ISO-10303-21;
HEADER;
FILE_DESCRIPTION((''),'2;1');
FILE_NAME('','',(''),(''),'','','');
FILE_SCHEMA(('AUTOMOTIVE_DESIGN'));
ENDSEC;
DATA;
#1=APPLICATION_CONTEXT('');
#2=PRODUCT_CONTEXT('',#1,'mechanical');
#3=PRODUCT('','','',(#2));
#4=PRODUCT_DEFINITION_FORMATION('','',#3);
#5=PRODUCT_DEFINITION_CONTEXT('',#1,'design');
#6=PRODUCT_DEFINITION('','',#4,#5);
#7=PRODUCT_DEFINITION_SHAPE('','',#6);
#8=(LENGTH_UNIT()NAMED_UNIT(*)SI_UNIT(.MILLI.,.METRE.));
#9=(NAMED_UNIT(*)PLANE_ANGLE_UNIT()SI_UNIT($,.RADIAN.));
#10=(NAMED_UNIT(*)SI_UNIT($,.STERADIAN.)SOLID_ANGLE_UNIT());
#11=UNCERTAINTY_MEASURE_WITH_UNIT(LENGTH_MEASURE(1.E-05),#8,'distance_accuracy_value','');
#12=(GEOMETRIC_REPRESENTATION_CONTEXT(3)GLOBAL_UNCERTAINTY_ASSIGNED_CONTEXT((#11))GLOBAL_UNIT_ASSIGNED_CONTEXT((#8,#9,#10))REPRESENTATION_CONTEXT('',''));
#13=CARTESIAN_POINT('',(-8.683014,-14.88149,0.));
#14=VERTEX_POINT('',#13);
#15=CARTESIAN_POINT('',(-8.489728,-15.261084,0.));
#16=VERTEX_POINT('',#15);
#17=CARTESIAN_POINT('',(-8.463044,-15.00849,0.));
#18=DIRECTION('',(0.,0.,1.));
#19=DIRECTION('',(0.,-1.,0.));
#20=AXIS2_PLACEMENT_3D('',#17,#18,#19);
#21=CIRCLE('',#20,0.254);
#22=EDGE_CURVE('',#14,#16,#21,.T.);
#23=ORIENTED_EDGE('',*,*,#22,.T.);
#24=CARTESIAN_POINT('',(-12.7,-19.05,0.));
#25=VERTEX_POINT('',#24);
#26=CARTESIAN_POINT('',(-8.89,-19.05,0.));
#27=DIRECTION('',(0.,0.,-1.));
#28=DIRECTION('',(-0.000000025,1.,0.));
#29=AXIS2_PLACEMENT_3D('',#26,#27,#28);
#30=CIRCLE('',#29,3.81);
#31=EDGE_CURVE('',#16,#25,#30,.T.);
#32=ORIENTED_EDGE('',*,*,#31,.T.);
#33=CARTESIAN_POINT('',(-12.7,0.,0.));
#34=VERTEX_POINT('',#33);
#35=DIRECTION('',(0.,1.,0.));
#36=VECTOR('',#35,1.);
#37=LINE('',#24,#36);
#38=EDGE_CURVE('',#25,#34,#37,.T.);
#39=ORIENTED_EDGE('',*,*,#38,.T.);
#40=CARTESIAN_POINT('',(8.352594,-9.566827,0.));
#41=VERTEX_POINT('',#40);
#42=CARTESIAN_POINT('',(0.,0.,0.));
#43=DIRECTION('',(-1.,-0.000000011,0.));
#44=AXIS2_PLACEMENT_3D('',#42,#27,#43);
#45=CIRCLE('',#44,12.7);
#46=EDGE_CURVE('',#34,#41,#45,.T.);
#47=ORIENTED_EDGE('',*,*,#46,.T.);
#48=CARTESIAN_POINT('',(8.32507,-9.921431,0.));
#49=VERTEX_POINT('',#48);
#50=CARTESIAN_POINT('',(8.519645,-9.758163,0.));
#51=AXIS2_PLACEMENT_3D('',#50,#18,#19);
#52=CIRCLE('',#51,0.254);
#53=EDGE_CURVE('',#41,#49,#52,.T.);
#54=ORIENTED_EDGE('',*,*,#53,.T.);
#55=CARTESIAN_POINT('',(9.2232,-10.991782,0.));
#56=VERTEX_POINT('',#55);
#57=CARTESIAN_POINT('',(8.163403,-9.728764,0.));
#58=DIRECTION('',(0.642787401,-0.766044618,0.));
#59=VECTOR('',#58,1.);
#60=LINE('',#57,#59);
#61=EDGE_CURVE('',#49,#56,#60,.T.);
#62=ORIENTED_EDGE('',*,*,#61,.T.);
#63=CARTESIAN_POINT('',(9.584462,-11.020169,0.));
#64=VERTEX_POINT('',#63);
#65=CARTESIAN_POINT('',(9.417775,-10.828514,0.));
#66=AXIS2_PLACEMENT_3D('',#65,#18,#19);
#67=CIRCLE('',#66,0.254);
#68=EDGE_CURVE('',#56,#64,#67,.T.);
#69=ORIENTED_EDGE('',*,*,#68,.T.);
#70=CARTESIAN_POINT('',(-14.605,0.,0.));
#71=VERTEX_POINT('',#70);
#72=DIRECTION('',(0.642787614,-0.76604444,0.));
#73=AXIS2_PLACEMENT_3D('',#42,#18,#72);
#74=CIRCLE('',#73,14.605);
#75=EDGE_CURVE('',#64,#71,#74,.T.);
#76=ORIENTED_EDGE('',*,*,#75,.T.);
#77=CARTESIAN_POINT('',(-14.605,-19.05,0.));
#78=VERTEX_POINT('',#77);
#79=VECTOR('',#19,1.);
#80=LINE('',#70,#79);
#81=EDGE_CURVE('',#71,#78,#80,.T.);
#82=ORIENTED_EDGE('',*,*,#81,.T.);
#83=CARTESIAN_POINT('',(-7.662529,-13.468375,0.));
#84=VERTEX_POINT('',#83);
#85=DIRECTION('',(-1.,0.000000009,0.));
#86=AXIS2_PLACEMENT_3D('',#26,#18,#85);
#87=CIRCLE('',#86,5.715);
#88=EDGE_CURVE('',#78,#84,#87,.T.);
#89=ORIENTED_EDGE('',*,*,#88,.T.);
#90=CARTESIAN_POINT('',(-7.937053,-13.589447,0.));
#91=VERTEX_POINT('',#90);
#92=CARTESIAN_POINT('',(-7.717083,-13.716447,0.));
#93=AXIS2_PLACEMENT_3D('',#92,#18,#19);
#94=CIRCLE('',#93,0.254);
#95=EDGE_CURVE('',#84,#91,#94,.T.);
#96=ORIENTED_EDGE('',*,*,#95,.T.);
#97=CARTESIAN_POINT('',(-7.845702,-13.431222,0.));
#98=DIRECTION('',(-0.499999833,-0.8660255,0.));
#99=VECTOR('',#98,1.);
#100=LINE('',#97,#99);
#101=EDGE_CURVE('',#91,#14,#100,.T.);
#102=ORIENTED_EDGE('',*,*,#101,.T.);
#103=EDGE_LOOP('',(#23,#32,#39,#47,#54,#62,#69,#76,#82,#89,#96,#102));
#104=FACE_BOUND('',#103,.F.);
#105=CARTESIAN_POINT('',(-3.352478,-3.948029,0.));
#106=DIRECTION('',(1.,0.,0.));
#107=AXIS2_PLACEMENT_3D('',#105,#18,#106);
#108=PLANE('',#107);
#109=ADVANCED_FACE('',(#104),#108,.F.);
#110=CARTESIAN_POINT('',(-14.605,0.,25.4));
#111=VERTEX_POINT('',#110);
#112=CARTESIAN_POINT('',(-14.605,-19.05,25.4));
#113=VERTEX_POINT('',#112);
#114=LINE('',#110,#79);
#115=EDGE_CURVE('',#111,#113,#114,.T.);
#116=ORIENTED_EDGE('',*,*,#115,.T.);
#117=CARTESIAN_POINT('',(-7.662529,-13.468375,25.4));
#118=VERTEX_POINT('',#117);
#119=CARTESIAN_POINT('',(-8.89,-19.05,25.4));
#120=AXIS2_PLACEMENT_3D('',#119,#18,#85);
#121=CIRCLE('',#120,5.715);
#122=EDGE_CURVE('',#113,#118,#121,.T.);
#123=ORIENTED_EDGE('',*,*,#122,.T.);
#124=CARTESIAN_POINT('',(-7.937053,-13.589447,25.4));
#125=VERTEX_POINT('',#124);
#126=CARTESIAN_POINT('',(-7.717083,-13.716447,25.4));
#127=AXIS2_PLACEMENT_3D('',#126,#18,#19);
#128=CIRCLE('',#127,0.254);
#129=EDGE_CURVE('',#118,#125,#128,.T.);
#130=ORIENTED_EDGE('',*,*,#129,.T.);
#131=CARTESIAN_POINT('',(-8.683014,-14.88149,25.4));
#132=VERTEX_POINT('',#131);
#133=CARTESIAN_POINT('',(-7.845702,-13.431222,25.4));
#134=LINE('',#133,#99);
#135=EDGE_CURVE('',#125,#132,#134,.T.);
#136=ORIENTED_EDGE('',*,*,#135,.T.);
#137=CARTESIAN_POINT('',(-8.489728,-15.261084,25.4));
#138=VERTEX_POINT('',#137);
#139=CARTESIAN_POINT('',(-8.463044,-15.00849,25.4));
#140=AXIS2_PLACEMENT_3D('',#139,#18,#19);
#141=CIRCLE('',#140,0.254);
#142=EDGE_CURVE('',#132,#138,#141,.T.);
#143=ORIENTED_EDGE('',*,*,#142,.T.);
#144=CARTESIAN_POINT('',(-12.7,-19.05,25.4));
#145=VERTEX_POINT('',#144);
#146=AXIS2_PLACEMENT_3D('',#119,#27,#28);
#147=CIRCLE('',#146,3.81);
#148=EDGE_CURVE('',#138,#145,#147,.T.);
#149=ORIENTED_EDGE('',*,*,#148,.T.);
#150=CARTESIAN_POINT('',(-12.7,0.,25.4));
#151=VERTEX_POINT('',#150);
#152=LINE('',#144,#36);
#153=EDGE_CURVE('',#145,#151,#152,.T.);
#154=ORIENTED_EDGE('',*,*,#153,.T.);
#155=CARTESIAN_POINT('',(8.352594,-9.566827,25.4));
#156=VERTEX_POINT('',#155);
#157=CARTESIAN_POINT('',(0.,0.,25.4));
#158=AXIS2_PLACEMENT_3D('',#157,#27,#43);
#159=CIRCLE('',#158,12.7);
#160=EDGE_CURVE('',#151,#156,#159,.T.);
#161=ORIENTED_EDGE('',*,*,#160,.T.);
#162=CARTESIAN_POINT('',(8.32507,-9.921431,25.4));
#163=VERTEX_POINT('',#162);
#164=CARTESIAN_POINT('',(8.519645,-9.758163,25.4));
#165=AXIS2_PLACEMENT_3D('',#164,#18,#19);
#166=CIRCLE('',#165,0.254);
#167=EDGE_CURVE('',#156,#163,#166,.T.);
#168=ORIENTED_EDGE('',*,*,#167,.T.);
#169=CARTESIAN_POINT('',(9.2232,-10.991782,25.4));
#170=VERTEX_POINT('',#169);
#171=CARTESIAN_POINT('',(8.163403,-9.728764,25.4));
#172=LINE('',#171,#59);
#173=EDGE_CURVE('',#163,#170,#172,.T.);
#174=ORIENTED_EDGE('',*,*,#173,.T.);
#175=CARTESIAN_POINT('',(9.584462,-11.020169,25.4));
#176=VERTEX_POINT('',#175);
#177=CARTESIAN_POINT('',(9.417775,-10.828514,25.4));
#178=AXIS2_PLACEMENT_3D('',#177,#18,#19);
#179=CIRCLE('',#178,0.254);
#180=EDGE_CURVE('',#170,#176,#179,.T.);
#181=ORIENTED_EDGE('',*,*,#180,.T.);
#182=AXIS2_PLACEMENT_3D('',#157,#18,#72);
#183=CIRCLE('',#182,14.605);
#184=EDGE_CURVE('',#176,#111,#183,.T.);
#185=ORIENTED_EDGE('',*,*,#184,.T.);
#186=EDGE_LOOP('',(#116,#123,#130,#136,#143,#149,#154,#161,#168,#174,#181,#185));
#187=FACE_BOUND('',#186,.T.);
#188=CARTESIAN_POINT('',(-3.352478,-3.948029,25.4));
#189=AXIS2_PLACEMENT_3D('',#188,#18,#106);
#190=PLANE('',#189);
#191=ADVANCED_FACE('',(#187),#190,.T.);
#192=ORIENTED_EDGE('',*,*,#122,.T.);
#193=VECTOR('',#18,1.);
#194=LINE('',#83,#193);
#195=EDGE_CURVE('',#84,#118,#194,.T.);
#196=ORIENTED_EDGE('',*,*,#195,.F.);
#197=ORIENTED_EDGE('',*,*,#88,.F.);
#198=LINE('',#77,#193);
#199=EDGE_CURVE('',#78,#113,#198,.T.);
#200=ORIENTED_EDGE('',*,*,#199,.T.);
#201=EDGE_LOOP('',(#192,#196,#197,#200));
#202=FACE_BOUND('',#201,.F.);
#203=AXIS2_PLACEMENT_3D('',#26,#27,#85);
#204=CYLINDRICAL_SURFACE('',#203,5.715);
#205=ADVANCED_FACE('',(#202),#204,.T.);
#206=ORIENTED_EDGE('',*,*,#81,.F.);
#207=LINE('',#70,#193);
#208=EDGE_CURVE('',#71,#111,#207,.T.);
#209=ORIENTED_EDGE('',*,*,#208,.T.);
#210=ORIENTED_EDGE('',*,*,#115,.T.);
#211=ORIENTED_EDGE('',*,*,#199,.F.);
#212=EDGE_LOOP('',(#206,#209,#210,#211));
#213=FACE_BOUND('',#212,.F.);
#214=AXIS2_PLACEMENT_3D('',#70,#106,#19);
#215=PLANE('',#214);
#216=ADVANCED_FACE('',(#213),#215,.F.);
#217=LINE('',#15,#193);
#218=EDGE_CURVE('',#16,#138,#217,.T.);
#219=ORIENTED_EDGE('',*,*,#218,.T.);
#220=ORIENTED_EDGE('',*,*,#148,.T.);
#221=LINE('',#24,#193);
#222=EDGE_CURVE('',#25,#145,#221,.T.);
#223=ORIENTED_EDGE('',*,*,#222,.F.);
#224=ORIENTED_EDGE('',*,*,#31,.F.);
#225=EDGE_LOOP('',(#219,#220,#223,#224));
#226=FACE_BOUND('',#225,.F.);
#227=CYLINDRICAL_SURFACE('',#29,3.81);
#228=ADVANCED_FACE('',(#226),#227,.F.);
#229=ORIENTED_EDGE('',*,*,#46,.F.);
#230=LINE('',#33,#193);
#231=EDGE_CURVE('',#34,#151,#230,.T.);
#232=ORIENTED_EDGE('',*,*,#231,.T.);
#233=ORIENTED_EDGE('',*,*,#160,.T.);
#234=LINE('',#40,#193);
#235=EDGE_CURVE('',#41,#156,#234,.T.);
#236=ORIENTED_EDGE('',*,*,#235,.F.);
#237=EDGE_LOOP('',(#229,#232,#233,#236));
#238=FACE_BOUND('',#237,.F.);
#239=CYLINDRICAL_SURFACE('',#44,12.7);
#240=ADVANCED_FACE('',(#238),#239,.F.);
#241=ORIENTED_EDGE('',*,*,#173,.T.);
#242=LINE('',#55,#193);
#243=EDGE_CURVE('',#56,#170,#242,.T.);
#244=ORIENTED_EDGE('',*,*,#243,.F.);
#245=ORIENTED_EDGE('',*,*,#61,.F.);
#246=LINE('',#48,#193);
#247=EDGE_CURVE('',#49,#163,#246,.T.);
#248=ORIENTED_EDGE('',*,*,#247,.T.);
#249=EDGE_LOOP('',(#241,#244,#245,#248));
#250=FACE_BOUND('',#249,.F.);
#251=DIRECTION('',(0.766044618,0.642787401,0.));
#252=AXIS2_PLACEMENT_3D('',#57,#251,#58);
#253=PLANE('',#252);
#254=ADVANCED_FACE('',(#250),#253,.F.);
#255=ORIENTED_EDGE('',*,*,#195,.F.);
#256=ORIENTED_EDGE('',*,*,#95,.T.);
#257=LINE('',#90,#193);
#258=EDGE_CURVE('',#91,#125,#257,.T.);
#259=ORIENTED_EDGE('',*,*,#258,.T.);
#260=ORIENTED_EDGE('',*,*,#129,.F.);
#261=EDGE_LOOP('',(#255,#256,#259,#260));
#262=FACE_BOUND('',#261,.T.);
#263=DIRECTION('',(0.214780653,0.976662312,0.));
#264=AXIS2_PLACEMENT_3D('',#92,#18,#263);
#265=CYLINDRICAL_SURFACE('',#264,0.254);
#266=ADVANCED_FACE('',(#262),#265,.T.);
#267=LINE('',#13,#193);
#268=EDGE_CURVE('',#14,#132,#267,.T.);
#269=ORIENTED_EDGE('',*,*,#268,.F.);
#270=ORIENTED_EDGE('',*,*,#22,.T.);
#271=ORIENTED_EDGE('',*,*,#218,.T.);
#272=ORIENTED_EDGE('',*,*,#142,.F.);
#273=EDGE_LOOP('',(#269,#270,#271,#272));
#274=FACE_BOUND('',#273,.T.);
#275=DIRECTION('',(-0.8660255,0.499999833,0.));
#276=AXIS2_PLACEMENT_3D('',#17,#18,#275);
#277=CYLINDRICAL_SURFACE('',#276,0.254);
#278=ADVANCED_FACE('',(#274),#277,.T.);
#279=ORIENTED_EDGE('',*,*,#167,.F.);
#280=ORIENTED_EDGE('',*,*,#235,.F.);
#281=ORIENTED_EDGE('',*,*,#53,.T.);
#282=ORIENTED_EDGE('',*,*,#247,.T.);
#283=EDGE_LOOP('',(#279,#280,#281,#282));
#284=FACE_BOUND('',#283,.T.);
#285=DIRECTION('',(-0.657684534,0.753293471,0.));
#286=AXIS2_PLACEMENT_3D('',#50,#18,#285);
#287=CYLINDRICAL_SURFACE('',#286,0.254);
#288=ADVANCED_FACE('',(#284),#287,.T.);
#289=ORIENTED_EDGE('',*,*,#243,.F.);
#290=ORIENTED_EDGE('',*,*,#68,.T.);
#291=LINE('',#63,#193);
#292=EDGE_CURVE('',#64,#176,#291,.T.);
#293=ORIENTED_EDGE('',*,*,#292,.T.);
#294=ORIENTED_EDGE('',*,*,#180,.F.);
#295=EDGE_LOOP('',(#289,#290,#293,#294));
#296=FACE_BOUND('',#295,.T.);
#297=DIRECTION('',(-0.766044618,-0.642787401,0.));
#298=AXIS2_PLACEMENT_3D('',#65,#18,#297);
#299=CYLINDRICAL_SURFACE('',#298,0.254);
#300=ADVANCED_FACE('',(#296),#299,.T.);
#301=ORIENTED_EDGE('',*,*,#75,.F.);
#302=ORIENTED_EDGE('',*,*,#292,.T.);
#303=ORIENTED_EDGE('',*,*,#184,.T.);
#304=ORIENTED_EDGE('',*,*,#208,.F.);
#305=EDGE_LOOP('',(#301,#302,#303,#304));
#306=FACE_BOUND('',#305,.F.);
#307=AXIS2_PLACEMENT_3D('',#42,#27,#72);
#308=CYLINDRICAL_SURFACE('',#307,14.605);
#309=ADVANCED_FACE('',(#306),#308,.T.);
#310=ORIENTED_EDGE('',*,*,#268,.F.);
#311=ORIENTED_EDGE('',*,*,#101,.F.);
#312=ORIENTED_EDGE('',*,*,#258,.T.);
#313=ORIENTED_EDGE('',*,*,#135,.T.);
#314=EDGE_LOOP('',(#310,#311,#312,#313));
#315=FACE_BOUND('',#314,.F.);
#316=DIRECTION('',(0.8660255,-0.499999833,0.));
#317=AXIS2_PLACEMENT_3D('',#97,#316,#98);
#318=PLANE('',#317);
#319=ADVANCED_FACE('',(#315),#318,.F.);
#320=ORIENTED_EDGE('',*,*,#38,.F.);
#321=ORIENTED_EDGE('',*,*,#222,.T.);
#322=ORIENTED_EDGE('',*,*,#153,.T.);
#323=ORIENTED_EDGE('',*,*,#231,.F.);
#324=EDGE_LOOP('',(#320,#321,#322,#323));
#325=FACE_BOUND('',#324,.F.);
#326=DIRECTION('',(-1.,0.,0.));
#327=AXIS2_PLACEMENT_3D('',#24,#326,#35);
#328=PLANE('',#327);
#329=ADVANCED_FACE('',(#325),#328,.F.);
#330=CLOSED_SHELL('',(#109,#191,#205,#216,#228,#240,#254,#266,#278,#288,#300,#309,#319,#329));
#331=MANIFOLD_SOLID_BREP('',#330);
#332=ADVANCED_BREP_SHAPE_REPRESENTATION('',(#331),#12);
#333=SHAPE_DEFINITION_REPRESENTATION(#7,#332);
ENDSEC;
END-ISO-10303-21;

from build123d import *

# Parameters (mm, degrees)
F1_DEPTH = 25.4
F2_R     = 0.254


with BuildPart() as f1:
    # F0 (on Top) → F1 (new body)
    with BuildSketch(Plane.XY):
        with BuildLine():
            Line((-12.7, -19.05), (-12.7, 0))
            ThreePointArc((-12.7, 0), (5.367252, 11.510109), (8.163403, -9.728764))
            Line((8.163403, -9.728764), (9.387913, -11.188079))
            ThreePointArc((9.387913, -11.188079), (6.17234, 13.236625), (-14.605, 0))
            Line((-14.605, 0), (-14.605, -19.05))
            ThreePointArc((-14.605, -19.05), (-5.23671, -23.444849), (-7.845702, -13.431222))
            Line((-7.845702, -13.431222), (-8.89, -15.24))
            ThreePointArc((-8.89, -15.24), (-6.195923, -21.744077), (-12.7, -19.05))
        make_face()
    extrude(amount=F1_DEPTH)

    # F2
    f2_edges = [f1.edges().sort_by_distance(p)[0] for p in [
        (8.163403, -9.728764, 12.7),
        (9.387913, -11.188079, 12.7),
        (-7.845702, -13.431222, 12.7),
        (-8.89, -15.24, 12.7),
    ]]
    fillet(f2_edges, radius=F2_R)


solid = f1.part
